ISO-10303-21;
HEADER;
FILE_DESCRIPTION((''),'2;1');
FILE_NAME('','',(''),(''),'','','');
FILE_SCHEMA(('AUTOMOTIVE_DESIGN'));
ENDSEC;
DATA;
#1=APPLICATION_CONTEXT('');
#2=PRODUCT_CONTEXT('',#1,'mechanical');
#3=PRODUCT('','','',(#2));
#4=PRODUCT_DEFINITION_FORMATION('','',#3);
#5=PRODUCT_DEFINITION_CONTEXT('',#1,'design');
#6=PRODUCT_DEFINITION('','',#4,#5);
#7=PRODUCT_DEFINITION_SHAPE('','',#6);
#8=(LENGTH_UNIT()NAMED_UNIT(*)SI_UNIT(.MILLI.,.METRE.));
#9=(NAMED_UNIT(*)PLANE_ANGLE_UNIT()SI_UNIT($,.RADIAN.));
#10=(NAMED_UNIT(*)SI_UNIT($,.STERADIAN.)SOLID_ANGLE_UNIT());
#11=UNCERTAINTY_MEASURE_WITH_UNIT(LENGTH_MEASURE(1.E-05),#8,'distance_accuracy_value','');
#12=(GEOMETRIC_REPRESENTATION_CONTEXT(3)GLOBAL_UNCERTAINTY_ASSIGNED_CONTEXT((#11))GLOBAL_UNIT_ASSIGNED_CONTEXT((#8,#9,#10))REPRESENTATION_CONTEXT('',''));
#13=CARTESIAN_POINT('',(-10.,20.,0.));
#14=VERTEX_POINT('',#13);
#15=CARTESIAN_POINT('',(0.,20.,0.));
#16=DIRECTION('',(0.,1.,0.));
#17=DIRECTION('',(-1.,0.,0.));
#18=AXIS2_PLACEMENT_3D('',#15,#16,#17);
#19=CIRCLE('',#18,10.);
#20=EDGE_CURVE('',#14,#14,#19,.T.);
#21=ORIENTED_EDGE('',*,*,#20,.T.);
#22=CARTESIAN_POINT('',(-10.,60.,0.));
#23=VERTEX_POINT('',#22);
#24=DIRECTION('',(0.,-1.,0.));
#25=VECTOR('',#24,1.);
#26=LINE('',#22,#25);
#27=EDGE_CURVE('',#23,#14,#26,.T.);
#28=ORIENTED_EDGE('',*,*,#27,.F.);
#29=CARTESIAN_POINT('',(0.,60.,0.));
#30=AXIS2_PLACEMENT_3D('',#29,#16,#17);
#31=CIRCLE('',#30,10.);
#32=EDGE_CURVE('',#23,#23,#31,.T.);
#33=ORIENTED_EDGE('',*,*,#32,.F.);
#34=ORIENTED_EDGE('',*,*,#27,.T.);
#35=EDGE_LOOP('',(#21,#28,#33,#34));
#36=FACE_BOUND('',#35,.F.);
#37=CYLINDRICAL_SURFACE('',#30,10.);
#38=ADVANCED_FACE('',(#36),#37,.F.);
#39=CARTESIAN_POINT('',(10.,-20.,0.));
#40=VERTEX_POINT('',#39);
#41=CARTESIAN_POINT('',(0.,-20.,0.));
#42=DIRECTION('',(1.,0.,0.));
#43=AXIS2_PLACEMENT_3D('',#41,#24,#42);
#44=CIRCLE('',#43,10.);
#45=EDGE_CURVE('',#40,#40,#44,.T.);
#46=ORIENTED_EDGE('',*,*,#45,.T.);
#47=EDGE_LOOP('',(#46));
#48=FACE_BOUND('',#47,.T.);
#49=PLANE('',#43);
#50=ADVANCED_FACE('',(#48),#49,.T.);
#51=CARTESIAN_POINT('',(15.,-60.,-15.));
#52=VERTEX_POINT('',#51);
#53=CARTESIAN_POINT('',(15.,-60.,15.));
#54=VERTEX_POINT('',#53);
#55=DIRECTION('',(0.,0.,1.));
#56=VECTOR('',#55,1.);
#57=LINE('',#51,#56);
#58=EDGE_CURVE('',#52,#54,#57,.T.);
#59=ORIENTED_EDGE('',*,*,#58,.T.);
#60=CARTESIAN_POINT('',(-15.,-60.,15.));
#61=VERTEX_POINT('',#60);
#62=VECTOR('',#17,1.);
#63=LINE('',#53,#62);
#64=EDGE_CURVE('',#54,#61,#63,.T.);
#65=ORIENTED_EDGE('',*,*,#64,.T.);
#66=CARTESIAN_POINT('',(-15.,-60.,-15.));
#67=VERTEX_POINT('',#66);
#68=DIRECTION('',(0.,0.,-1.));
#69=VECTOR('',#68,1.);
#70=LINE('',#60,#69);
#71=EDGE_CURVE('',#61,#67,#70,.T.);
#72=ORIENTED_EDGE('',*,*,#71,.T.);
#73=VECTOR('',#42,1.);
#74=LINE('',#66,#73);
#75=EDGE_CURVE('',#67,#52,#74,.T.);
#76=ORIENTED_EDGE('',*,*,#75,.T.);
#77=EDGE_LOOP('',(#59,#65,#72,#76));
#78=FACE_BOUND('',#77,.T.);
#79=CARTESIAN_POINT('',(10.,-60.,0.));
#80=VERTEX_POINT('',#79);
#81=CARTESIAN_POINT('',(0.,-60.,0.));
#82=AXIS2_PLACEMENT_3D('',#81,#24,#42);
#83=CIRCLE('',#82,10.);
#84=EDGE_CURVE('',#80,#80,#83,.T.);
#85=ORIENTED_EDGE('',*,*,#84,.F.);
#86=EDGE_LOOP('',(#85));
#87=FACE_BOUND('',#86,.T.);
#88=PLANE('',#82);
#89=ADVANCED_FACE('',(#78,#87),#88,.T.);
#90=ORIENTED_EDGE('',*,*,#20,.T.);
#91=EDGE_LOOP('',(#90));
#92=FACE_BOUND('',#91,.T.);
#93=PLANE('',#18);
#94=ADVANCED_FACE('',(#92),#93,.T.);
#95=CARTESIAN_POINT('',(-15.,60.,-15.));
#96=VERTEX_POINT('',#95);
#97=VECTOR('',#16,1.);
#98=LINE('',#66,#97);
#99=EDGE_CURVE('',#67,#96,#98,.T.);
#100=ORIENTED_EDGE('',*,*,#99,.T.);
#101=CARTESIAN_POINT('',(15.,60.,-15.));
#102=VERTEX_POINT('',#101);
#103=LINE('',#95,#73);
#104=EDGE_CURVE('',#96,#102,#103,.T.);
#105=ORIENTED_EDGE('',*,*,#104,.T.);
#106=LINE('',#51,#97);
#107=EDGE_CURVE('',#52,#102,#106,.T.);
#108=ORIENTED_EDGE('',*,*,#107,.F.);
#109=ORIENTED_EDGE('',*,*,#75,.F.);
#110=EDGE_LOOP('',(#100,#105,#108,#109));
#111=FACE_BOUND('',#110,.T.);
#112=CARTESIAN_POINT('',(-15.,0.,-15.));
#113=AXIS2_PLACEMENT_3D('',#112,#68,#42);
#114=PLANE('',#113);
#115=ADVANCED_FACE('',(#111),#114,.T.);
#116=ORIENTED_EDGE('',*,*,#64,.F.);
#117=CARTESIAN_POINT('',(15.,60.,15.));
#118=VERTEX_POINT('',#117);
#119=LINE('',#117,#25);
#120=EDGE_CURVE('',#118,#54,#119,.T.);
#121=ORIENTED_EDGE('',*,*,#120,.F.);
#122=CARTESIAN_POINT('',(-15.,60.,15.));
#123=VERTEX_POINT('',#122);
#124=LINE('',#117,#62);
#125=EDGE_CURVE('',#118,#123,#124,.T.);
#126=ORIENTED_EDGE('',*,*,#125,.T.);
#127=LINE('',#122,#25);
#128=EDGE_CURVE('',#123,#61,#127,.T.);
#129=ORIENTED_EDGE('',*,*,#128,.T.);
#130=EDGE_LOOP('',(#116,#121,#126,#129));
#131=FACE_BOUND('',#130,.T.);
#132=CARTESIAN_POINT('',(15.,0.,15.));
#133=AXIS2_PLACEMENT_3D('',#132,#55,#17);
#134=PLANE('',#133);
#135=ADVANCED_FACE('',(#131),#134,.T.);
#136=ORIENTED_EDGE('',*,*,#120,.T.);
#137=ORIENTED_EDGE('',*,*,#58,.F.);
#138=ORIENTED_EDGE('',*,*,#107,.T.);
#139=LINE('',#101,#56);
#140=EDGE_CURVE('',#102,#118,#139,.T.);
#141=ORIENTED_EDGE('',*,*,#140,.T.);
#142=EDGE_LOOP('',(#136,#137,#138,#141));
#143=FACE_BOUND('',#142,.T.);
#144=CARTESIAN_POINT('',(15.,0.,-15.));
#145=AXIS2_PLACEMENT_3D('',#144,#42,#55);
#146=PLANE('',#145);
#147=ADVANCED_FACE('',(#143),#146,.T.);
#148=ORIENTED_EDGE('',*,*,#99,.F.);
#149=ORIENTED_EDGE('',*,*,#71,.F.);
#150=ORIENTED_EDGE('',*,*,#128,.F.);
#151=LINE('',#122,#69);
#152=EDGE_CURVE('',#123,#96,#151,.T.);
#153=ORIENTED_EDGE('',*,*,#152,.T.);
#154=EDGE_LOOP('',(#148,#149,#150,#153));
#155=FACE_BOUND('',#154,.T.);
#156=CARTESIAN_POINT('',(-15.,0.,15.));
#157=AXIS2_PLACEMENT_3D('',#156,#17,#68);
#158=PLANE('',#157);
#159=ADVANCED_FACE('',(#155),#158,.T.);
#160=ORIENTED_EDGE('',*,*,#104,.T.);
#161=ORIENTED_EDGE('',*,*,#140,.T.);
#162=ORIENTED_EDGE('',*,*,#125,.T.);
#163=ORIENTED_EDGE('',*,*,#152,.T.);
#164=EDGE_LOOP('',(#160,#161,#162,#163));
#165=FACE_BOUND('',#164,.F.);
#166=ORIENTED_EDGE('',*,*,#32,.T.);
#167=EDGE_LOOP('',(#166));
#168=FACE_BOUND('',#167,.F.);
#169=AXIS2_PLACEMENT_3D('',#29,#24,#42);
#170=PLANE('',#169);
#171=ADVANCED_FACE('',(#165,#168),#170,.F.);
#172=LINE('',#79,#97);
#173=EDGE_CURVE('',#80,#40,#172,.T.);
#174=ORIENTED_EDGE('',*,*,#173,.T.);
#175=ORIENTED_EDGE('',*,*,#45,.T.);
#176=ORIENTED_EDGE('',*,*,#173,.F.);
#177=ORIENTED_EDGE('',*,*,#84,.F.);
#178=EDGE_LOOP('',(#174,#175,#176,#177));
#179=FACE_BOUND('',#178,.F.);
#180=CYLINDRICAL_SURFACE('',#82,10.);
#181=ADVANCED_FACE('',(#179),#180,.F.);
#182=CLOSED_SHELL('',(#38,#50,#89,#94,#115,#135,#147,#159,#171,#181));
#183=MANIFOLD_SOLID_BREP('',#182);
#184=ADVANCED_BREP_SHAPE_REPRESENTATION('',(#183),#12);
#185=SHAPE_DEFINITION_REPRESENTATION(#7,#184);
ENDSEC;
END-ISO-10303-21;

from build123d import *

# Parameters (mm, degrees)
F1_DEPTH = 60
F2_R     = 10
F3_DEPTH = 40
F4_R     = 10
F5_DEPTH = 40


with BuildPart() as f1:
    # F0 (on Front) → F1 (new body, symmetric)
    with BuildSketch(Plane.XZ):
        Polygon((15, -15), (15, 0), (15, 15), (0, 15), (-15, 15), (-15, -15), align=None)
    extrude(amount=F1_DEPTH, both=True)

    # F2 (on face) → F3 (cut)
    with BuildSketch(Plane.XZ.offset(60)):
        Circle(F2_R)
    extrude(amount=-F3_DEPTH, mode=Mode.SUBTRACT)

    # F4 (on face) → F5 (cut)
    with BuildSketch(Plane(origin=(0, 60, 0), x_dir=(-1, 0, 0), z_dir=(0, 1, 0))):
        Circle(F4_R)
    extrude(amount=-F5_DEPTH, mode=Mode.SUBTRACT)


solid = f1.part
